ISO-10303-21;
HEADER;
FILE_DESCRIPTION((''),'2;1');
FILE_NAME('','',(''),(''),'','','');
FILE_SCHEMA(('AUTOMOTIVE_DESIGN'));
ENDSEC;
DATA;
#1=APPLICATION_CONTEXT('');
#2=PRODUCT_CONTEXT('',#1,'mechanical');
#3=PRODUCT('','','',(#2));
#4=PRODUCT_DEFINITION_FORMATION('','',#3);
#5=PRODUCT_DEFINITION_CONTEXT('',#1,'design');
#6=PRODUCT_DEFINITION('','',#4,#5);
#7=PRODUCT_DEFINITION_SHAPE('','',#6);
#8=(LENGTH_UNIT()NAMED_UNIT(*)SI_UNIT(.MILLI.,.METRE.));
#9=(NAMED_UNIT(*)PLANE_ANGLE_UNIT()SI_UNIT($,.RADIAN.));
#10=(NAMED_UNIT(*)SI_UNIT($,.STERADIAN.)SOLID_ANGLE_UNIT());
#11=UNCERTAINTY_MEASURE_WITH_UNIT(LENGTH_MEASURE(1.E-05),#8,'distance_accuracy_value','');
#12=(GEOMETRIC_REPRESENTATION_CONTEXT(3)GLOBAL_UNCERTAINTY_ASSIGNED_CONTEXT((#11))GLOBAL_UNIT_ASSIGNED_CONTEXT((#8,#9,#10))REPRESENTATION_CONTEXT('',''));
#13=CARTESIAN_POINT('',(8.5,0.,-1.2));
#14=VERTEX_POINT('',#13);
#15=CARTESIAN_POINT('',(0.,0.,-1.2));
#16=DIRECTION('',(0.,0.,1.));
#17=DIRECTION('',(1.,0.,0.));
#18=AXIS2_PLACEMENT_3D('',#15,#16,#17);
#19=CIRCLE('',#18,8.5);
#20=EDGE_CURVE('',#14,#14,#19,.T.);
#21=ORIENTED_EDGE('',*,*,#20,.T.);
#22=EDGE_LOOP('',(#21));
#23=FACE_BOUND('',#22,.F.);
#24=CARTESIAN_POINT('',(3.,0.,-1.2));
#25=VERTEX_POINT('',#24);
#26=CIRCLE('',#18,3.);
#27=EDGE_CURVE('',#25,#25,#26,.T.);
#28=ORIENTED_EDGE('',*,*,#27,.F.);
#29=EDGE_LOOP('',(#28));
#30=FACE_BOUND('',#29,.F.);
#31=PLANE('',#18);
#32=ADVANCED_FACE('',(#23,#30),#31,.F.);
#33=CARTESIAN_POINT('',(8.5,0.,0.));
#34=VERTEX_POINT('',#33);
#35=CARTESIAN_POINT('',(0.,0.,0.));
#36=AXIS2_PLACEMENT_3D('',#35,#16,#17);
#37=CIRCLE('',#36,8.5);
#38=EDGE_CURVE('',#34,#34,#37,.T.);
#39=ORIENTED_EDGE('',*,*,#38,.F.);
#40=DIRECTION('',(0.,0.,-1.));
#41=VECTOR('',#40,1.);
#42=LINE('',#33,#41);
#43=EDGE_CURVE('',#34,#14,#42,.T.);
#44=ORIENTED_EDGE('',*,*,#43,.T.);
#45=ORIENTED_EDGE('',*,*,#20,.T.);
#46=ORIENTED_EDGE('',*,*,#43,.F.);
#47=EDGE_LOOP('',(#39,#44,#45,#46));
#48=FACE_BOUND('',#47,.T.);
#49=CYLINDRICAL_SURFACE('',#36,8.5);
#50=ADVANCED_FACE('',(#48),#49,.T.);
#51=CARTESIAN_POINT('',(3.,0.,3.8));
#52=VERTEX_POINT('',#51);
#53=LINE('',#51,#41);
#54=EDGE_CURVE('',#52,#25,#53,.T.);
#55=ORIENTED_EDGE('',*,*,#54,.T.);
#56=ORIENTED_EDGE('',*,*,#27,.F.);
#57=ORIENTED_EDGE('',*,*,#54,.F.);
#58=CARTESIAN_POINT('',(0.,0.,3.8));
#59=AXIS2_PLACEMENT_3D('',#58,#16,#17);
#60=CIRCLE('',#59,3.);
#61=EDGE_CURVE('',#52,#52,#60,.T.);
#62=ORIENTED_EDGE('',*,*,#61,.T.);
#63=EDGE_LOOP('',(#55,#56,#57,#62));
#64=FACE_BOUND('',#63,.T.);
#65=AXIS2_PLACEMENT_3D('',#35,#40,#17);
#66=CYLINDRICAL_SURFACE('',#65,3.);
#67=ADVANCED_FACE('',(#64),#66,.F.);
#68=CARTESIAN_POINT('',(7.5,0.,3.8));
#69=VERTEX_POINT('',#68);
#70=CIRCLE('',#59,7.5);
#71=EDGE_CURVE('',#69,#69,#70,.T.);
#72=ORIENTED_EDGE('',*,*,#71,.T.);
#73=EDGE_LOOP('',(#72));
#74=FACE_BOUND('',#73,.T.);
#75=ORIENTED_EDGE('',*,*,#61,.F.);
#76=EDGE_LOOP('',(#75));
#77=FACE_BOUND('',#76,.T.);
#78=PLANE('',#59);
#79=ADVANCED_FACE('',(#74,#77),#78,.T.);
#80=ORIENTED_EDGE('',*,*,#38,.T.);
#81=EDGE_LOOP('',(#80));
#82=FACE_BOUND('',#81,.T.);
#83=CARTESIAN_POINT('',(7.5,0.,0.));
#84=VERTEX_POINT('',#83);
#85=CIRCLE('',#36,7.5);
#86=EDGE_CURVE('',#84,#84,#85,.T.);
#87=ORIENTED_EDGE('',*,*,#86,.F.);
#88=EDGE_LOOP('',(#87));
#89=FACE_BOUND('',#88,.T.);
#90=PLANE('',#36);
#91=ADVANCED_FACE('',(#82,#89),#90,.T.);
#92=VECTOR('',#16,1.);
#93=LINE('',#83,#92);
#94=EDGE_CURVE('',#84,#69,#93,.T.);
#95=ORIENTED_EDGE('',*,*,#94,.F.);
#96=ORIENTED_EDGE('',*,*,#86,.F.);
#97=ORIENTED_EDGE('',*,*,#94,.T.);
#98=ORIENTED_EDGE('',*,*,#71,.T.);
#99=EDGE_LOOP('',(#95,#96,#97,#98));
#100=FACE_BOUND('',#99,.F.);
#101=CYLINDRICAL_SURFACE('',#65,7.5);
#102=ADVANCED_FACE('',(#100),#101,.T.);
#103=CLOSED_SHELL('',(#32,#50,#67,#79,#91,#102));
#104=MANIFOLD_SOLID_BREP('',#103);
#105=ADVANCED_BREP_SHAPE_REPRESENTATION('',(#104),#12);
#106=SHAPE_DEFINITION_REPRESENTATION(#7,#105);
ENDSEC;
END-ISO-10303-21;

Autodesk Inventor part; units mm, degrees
ref_plane "YZ Plane" through (0, 0, 0) normal (1, 0, 0) x (0, 1, 0)
ref_plane "XZ Plane" through (0, 0, 0) normal (0, 1, 0) x (-1, 0, 0)
ref_plane "XY Plane" through (0, 0, 0) normal (0, 0, 1) x (1, 0, 0)
sketch "スケッチ1" plane through (0, 0, 0) normal (0, 0, 1) x (1, 0, 0)
  circle A0 centre (0, 0) radius 3
  circle A1 centre (0, 0) radius 7.5
  circle A2 centre (0, 0) radius 8.5
  dimension "d0" = 6
  dimension "d1" = 15
  dimension "d2" = 17
extrude "押し出し1" add sketch "スケッチ1" along normal blind 3.8 contours A1
extrude "押し出し2" add sketch "スケッチ1" against normal blind 1.2 contours A1 | A2
properties part number "ベアリング　内径6外径15"
